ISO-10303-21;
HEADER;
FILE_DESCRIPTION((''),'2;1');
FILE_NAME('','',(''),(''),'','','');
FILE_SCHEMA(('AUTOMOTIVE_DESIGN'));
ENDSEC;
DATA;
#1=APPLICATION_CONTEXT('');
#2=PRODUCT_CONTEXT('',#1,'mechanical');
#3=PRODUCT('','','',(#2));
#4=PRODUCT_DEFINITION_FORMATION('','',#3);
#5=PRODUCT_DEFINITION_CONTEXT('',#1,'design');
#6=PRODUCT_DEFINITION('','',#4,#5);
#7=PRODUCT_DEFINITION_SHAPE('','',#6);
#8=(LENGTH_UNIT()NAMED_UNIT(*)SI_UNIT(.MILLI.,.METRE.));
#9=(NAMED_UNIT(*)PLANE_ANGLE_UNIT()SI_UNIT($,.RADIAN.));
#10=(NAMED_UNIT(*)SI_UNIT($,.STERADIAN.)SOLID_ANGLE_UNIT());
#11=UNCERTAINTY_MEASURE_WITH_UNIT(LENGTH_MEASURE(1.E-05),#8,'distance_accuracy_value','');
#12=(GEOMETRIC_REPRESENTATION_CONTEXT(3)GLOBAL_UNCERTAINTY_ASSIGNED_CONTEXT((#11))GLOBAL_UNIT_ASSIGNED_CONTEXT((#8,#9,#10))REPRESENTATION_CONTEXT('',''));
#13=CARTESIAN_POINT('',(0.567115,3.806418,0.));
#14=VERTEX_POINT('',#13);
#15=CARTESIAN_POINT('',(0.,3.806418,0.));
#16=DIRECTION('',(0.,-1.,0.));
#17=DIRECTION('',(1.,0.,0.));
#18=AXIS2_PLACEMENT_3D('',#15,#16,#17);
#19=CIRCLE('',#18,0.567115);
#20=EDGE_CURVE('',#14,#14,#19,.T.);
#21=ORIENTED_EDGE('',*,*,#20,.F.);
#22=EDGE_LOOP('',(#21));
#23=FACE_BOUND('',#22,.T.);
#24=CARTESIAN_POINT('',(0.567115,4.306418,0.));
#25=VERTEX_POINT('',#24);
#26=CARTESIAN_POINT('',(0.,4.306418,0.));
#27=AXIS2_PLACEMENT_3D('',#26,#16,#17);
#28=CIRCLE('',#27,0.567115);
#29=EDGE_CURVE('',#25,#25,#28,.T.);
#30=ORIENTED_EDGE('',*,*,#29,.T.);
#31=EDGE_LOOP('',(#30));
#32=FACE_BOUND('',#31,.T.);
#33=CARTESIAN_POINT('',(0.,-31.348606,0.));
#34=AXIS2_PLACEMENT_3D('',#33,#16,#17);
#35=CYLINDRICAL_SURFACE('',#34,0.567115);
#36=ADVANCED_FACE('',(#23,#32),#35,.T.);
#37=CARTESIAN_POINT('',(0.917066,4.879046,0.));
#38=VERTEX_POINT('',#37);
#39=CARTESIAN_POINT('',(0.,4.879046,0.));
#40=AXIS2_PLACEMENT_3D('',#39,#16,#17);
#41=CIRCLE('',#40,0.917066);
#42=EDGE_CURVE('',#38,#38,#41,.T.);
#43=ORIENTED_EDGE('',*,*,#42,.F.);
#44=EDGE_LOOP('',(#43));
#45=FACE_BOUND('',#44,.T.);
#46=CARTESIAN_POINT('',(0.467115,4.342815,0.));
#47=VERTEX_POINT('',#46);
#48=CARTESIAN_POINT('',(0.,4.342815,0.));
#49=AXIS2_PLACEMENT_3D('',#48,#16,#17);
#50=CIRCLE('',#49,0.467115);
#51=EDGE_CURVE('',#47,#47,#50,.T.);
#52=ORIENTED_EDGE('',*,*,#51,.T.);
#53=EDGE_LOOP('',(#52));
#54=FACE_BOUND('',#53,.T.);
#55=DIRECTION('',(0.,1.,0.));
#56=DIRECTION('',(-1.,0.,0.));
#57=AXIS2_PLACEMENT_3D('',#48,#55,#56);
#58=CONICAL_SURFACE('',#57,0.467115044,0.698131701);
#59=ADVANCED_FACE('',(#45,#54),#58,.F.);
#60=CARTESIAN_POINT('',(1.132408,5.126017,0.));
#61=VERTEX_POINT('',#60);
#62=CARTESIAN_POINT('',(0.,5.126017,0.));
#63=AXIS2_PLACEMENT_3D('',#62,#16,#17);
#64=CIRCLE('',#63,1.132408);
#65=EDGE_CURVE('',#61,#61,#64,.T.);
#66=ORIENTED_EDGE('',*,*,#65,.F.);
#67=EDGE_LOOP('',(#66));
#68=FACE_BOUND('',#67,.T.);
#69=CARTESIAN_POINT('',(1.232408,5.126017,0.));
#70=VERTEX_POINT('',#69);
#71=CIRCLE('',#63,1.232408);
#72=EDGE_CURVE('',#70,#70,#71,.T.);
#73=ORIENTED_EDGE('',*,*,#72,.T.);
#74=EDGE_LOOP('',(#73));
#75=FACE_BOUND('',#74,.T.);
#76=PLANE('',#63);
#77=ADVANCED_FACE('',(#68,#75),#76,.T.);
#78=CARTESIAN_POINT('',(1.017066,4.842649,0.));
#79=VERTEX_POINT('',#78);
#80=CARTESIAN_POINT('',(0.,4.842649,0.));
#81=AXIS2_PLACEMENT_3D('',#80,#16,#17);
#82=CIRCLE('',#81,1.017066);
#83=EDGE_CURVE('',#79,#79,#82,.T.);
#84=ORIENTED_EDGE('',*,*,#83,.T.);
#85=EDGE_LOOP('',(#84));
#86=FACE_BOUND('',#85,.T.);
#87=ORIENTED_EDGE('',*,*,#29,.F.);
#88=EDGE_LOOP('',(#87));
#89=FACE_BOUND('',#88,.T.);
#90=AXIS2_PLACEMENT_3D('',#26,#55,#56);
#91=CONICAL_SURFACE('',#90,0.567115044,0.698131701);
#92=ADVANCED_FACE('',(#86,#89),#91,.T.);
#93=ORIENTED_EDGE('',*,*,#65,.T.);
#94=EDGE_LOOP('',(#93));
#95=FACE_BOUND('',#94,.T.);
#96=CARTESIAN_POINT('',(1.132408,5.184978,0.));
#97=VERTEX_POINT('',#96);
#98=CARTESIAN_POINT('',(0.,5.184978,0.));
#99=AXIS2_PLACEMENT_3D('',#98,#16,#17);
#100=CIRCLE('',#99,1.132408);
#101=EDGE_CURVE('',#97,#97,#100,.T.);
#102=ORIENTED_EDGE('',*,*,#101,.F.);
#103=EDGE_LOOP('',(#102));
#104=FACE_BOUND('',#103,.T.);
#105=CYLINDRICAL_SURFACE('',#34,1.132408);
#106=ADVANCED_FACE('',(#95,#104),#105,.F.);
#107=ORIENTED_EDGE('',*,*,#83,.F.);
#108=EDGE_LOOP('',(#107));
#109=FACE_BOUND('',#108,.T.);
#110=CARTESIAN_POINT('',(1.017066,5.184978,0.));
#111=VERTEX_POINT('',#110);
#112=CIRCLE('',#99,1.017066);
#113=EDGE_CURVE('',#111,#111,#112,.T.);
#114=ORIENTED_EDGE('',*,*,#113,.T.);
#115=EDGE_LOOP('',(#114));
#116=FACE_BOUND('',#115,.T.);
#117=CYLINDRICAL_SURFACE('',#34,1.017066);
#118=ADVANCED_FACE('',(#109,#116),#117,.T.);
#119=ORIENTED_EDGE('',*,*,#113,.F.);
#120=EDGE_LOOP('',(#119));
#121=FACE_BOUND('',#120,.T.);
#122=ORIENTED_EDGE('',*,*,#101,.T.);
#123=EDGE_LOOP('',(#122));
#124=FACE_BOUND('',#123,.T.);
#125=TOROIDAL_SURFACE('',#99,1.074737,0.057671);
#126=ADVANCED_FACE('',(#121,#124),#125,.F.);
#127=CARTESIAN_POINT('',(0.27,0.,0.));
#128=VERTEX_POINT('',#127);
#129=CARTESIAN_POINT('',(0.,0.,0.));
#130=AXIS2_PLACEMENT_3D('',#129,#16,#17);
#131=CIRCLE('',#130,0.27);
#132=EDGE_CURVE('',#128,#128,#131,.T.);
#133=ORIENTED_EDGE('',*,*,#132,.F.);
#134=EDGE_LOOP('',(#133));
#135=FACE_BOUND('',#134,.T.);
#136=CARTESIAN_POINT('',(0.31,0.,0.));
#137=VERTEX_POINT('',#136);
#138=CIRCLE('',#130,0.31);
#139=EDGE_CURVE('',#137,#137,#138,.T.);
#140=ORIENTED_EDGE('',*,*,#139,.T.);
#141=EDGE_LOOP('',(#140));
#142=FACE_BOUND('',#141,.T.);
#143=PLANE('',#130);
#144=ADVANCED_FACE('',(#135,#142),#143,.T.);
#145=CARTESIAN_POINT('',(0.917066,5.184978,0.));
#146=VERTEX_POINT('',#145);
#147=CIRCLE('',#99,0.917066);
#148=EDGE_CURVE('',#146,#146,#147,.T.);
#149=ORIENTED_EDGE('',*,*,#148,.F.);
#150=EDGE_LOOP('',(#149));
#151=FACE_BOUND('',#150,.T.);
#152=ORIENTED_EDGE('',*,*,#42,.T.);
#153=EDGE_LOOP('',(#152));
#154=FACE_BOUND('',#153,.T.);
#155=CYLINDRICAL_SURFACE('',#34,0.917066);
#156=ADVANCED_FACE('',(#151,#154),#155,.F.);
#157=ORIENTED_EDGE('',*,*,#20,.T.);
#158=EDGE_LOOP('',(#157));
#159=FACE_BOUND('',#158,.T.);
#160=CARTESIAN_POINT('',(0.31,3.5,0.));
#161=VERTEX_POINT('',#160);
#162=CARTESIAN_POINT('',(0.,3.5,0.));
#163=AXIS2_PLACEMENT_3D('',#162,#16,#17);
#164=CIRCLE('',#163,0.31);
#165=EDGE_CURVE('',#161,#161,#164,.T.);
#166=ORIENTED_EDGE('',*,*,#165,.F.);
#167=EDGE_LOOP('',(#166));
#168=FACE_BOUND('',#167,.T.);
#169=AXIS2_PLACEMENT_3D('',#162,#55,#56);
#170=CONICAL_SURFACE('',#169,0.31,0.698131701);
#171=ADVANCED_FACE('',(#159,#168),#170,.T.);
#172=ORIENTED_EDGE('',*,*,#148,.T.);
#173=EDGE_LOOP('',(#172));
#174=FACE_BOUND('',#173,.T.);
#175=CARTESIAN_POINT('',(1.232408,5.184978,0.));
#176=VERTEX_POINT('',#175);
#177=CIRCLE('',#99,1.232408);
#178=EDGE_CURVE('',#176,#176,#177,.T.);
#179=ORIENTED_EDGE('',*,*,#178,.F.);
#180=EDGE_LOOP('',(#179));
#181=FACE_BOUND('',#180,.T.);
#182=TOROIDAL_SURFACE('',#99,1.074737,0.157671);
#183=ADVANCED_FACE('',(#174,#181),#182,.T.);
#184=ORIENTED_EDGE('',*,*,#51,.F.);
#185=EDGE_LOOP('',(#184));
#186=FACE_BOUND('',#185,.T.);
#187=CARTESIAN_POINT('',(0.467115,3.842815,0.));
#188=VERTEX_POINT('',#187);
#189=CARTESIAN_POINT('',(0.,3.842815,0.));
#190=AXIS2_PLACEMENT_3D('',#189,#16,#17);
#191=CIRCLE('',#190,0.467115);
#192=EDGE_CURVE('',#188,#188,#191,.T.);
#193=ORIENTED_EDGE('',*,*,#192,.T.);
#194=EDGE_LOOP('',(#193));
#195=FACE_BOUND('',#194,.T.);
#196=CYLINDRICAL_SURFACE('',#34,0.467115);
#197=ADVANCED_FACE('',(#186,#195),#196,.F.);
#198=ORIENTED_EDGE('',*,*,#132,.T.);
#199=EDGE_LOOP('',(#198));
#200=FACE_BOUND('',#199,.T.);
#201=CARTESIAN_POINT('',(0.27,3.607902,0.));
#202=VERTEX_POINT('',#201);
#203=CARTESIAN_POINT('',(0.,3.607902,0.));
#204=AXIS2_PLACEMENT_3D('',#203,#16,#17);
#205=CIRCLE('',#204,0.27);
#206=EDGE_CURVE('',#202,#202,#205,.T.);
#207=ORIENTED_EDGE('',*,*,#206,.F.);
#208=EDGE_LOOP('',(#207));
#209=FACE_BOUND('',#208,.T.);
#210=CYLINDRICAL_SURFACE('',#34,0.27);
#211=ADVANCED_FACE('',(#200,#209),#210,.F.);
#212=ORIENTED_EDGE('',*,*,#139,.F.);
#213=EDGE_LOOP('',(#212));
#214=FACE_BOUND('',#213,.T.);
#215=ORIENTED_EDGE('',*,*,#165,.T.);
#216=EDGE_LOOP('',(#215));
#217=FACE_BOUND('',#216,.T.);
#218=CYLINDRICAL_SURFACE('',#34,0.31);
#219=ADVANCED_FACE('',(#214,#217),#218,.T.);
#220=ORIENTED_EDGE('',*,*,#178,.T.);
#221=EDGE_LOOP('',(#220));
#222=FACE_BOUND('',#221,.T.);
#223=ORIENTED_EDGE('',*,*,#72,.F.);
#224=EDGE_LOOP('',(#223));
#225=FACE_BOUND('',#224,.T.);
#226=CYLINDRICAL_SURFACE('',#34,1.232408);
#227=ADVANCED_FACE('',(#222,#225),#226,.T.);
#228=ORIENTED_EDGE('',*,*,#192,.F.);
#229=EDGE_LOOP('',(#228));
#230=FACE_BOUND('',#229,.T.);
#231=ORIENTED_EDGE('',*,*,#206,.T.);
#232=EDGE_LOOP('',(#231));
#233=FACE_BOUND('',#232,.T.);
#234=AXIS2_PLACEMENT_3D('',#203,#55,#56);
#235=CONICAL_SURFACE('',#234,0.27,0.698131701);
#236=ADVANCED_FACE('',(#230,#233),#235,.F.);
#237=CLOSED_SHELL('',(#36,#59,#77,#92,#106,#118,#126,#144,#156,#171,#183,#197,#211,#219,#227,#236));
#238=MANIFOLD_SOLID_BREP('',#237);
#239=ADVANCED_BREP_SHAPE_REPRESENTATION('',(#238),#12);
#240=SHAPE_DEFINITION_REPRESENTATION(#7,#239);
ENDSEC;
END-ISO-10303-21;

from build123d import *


with BuildPart() as part:
    # 草图1 → 旋转1 (revolve)
    with BuildSketch(Plane.XY):
        with BuildLine():
            ThreePointArc((0.917066371, 5.184978302), (1.074736956, 5.342648887), (1.232407542, 5.184978302))
            Line((1.232407542, 5.184978302), (1.232407542, 5.126017406))
            Line((1.232407542, 5.126017406), (1.132407542, 5.126017406))
            Line((1.132407542, 5.126017406), (1.132407542, 5.184978302))
            ThreePointArc((1.132407542, 5.184978302), (1.074736956, 5.242648887), (1.017066371, 5.184978302))
            Line((1.017066371, 5.184978302), (1.017066371, 4.842648887))
            Line((1.017066371, 4.842648887), (0.567115044, 4.306417777))
            Line((0.567115044, 4.306417777), (0.567115044, 3.806417777))
            Line((0.567115044, 3.806417777), (0.31, 3.5))
            Line((0.31, 3.5), (0.31, 0))
            Line((0.31, 0), (0.27, 0))
            Line((0.27, 0), (0.27, 3.607902239))
            Line((0.27, 3.607902239), (0.467115044, 3.842814801))
            Line((0.467115044, 3.842814801), (0.467115044, 4.342814801))
            Line((0.467115044, 4.342814801), (0.917066371, 4.879045911))
            Line((0.917066371, 4.879045911), (0.917066371, 5.184978302))
        make_face()
    revolve(axis=Axis((0, -31.348606249, 0), (0, 1, 0)))


solid = part.part
